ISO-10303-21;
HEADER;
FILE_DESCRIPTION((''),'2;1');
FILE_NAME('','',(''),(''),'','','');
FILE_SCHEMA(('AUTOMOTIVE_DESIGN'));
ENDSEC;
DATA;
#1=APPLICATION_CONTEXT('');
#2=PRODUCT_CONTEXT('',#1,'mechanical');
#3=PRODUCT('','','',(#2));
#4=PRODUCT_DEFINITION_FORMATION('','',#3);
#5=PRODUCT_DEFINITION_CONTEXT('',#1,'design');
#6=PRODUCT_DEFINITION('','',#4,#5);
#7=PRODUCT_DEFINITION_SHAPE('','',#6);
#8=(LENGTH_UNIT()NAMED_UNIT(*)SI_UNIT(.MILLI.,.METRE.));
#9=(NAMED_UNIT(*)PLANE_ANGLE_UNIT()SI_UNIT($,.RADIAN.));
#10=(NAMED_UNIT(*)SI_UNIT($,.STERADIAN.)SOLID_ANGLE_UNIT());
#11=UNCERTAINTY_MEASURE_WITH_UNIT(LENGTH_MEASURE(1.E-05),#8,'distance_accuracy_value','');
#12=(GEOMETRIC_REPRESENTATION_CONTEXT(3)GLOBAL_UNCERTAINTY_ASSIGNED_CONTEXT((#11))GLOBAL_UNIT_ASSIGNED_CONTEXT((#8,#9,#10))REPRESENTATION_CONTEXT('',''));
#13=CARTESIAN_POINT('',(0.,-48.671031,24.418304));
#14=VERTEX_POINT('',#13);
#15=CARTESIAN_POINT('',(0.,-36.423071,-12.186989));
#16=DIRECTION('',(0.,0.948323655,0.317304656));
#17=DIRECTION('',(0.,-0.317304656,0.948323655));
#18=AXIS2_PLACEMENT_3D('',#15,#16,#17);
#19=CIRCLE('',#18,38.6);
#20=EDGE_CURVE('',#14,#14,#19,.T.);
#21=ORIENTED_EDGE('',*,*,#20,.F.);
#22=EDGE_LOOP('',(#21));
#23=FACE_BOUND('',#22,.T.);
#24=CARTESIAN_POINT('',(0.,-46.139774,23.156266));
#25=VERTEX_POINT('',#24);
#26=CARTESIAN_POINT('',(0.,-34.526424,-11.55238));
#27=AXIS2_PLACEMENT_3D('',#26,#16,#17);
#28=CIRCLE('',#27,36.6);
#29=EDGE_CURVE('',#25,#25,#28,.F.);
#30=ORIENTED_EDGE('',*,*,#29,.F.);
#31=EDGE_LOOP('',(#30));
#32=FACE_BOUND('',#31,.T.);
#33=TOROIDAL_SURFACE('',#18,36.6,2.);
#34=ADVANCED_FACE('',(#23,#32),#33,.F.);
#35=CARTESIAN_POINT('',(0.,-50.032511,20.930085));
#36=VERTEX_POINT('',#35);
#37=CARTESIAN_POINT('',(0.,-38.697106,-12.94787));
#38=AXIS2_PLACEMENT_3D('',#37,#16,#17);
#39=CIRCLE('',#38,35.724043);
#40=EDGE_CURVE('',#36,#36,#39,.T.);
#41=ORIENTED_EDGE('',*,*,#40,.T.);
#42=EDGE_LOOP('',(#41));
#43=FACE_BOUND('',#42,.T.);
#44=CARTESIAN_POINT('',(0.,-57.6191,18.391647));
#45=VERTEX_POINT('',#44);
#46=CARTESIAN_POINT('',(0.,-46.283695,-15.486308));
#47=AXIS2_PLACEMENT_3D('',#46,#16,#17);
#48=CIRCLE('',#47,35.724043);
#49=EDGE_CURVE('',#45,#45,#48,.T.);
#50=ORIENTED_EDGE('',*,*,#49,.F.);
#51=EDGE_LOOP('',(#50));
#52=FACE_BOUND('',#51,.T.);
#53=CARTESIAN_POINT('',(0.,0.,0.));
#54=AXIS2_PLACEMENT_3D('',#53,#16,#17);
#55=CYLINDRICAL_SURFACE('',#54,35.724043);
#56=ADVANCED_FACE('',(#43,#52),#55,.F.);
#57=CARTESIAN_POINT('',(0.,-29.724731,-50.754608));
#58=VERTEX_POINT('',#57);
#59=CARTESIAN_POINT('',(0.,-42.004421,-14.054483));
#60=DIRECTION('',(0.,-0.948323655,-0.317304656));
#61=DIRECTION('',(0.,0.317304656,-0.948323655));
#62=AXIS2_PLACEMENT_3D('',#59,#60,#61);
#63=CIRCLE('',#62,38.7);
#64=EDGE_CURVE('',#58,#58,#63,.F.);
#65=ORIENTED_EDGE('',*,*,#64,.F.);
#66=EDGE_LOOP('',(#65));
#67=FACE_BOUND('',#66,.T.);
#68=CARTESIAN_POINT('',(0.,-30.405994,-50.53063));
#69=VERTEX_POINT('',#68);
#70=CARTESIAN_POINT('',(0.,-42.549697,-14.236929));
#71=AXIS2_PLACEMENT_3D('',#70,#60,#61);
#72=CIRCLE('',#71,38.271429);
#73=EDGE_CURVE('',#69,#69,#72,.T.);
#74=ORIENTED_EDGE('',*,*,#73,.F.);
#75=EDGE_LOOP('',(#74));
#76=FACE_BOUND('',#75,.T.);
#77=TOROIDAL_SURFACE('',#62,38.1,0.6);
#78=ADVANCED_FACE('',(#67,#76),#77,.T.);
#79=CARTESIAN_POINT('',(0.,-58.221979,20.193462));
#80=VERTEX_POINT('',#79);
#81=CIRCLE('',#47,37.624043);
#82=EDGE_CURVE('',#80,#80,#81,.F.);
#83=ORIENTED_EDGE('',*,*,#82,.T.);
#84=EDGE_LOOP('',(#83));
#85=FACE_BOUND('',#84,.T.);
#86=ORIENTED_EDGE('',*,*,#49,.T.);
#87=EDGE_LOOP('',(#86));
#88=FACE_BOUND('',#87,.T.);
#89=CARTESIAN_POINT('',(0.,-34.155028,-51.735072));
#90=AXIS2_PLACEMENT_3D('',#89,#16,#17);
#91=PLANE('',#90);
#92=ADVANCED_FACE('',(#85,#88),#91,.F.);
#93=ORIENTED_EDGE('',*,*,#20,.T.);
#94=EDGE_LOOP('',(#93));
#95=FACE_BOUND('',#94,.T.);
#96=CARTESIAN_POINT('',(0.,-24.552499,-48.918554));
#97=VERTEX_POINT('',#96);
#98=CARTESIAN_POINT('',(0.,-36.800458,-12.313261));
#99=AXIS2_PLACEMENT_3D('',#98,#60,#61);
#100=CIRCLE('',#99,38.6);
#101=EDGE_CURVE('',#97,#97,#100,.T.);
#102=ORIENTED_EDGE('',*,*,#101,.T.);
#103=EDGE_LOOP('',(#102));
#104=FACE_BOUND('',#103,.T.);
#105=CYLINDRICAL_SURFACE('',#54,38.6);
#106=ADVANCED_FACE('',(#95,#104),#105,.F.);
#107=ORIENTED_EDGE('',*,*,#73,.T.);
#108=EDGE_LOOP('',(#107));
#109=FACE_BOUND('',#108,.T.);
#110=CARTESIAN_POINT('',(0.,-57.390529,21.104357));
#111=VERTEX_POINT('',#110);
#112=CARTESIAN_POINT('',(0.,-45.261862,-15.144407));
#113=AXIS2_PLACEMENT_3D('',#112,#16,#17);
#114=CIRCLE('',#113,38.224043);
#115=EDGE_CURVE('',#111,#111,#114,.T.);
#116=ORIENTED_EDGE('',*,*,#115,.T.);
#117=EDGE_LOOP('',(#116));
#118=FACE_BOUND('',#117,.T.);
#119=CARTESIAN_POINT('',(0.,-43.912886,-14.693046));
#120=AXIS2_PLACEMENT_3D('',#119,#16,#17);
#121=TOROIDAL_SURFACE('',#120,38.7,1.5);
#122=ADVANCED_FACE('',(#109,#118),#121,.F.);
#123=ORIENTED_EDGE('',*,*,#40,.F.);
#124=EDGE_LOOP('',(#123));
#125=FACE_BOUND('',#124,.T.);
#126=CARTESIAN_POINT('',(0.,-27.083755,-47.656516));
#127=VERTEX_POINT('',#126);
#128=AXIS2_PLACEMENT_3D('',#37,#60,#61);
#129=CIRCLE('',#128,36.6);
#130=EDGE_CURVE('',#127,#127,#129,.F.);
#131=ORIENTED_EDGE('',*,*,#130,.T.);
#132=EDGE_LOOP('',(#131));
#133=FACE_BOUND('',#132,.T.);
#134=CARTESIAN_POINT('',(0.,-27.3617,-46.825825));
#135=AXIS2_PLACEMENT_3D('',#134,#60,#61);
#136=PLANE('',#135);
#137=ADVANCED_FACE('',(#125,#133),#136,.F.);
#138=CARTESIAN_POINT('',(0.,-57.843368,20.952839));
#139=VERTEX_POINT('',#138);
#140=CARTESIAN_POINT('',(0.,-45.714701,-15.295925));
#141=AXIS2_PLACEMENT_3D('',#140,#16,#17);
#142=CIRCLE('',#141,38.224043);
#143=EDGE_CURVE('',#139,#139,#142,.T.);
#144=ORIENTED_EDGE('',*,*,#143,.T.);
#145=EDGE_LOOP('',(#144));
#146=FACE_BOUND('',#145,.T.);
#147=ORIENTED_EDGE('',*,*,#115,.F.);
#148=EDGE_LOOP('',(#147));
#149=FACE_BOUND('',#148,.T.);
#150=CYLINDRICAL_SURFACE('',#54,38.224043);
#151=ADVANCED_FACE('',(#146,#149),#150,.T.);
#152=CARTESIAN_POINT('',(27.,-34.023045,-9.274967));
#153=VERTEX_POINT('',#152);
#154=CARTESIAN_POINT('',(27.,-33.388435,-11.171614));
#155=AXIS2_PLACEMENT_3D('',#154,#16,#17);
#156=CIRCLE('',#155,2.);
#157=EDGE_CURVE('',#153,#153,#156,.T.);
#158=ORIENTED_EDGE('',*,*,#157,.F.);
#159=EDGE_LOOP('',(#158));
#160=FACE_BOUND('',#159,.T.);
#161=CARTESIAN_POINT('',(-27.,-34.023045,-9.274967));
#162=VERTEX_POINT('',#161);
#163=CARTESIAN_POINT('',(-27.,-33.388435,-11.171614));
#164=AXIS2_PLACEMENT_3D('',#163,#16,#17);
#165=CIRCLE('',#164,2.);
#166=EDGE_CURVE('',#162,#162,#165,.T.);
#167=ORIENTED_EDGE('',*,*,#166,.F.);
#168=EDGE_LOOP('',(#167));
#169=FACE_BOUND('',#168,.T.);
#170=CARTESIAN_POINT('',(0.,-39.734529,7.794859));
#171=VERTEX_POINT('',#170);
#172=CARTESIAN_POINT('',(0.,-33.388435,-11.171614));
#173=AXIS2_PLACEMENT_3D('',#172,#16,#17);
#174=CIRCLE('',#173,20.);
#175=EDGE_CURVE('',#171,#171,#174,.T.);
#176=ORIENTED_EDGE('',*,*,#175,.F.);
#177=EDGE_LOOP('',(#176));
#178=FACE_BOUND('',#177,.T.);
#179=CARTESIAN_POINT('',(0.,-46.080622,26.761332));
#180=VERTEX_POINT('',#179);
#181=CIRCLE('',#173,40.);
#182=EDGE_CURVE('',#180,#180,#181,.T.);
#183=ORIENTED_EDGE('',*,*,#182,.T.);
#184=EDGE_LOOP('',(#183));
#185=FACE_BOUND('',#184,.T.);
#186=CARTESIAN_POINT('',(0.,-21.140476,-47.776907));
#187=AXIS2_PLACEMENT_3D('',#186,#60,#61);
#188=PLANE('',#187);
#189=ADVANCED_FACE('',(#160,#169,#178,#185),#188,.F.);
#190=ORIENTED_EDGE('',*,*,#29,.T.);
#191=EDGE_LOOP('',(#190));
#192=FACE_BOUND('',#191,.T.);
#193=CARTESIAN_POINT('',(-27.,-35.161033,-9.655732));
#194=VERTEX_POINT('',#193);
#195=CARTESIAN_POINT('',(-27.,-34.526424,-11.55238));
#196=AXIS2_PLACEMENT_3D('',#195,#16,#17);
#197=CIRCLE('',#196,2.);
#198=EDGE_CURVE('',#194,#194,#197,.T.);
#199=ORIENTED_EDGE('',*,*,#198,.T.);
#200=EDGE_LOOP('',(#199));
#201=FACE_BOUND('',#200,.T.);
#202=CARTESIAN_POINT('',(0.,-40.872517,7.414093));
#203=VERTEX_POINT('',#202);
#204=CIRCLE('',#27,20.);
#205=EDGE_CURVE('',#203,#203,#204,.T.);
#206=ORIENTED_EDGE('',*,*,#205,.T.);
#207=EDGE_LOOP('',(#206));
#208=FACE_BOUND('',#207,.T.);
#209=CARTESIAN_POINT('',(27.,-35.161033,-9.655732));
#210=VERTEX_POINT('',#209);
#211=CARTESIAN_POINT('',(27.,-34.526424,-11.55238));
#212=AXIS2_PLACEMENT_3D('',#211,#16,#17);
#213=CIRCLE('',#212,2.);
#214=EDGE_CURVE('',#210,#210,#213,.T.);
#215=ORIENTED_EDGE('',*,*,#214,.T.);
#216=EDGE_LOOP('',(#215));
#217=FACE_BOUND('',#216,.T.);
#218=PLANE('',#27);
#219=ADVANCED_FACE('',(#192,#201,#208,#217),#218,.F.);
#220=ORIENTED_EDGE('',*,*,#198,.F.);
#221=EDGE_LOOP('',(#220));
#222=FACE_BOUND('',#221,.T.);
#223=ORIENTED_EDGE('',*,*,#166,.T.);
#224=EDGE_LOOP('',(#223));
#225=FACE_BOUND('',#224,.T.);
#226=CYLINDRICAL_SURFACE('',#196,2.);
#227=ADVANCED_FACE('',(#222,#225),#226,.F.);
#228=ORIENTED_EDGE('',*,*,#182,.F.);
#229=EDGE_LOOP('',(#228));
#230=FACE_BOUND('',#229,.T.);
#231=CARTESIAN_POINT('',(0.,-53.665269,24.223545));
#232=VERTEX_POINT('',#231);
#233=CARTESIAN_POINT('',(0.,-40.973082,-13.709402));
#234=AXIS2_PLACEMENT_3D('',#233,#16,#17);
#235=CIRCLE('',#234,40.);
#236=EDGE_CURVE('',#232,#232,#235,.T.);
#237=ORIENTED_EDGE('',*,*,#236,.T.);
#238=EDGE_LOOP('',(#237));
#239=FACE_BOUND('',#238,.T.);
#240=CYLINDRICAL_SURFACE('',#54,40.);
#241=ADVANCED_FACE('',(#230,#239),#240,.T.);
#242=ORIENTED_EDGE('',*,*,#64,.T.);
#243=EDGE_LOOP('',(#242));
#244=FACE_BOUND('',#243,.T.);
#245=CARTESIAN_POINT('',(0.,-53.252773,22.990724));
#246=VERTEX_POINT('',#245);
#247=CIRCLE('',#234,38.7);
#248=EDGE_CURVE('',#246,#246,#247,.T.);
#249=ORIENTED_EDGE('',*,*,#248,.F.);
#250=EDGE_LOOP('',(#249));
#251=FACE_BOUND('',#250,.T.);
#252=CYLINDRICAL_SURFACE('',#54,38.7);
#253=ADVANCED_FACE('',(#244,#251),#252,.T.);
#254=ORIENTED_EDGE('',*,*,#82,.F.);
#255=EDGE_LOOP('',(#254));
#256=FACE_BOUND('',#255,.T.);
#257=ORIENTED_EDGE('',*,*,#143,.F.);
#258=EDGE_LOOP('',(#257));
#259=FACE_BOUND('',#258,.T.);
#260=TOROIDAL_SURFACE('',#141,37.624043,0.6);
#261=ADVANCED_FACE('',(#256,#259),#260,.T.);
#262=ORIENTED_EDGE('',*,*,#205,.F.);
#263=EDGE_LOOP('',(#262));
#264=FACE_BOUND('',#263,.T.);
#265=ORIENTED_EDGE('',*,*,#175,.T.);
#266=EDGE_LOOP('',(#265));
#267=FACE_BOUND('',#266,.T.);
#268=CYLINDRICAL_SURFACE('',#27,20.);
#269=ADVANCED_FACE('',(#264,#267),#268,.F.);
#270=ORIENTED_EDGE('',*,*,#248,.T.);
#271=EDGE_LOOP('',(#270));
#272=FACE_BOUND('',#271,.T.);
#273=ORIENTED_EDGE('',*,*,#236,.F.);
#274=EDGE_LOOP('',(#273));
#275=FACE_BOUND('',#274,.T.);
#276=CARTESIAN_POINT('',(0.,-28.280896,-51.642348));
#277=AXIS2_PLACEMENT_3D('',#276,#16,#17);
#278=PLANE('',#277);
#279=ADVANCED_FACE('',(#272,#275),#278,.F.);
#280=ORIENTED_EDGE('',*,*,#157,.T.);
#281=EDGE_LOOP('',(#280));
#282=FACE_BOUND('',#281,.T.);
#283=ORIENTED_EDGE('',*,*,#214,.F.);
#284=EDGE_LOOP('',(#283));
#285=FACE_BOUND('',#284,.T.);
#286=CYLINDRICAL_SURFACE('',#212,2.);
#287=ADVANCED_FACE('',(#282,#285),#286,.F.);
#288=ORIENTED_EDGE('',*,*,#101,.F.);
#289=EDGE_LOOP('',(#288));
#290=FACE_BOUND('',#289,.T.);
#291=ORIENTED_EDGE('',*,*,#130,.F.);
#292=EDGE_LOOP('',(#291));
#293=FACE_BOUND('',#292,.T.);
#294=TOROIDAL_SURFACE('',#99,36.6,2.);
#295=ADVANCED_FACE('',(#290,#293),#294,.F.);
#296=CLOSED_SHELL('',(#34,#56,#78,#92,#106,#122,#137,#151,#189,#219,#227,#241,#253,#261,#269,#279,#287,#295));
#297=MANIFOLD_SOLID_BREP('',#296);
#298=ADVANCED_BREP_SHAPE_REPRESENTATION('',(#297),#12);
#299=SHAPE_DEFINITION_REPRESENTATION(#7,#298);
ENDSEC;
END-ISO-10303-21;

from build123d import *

# Parameters (mm, degrees)
CONG_3_R           = 0.6
CONG_4_R           = 0.6
ESQUISSE4_R        = 38.6
ESQUISSE4_R_2      = 20
ESQUISSE4_R_3      = 2
BOSS_EXTRU_1_DEPTH = 1.2
CONG_5_R           = 2


with BuildPart() as part:
    # Esquisse2 → Révolution2 (revolve)
    with BuildSketch(Plane(origin=(0, 0, 0), x_dir=(0, 0, -1), z_dir=(1, 0, 0)), mode=Mode.PRIVATE) as r_volution2_sk:
        with BuildLine():
            Line((51.393171508, -33.133195588), (51.735071882, -34.155028094))
            Line((51.735071882, -34.155028094), (49.364262744, -34.948289735))
            Line((49.364262744, -34.948289735), (46.825825492, -27.361700493))
            Line((46.825825492, -27.361700493), (49.553163532, -26.44914595))
            Line((49.553163532, -26.44914595), (47.7769073, -21.140475659))
            Line((47.7769073, -21.140475659), (49.104560417, -20.69624914))
            Line((49.104560417, -20.69624914), (51.642347825, -28.280896204))
            Line((51.642347825, -28.280896204), (50.409527073, -28.693392257))
            Line((50.409527073, -28.693392257), (50.917214523, -30.210710105))
            ThreePointArc((50.917214523, -30.210710105), (49.912676958, -31.874309437), (51.393171508, -33.133195588))
        make_face()
    revolve(r_volution2_sk.sketch.rotate(Axis((0, 0, 0), (0, -0.9483236552061978, -0.3173046564050968)), 180), axis=Axis((0, 0, 0), (0, -0.9483236552061978, -0.3173046564050968)))

    # Congé3
    cong_3_edges = [part.edges().sort_by_distance(p)[0] for p in [
        (0, -30.210710105, -50.917214523),
    ]]
    fillet(cong_3_edges, radius=CONG_3_R)

    # Congé4
    cong_4_edges = [part.edges().sort_by_distance(p)[0] for p in [
        (0, -34.155028094, -51.735071882),
    ]]
    fillet(cong_4_edges, radius=CONG_4_R)

    # Esquisse4 → Boss.-Extru.1 (add)
    with BuildSketch(Plane(origin=(0, -33.388435396, -11.171614209), x_dir=(1, 0, 0), z_dir=(0, 0.9483236552061979, 0.31730465640509686))):
        with Locations(Location((0, 0, 0), (0, 0, 270))):
            Circle(ESQUISSE4_R)
        with Locations(Location((0, 0, 0), (0, 0, 270))):
            Circle(ESQUISSE4_R_2, mode=Mode.SUBTRACT)
        with Locations(Location((-27, 0, 0), (0, 0, 270))):
            Circle(ESQUISSE4_R_3, mode=Mode.SUBTRACT)
        with Locations(Location((27, 0, 0), (0, 0, 270))):
            Circle(ESQUISSE4_R_3, mode=Mode.SUBTRACT)
    extrude(amount=-BOSS_EXTRU_1_DEPTH)

    # Congé5
    cong_5_edges = [part.edges().sort_by_distance(p)[0] for p in [
        (0, -22.278464045, -48.157672888),
        (0, -26.44914595, -49.553163532),
    ]]
    fillet(cong_5_edges, radius=CONG_5_R)


solid = part.part
